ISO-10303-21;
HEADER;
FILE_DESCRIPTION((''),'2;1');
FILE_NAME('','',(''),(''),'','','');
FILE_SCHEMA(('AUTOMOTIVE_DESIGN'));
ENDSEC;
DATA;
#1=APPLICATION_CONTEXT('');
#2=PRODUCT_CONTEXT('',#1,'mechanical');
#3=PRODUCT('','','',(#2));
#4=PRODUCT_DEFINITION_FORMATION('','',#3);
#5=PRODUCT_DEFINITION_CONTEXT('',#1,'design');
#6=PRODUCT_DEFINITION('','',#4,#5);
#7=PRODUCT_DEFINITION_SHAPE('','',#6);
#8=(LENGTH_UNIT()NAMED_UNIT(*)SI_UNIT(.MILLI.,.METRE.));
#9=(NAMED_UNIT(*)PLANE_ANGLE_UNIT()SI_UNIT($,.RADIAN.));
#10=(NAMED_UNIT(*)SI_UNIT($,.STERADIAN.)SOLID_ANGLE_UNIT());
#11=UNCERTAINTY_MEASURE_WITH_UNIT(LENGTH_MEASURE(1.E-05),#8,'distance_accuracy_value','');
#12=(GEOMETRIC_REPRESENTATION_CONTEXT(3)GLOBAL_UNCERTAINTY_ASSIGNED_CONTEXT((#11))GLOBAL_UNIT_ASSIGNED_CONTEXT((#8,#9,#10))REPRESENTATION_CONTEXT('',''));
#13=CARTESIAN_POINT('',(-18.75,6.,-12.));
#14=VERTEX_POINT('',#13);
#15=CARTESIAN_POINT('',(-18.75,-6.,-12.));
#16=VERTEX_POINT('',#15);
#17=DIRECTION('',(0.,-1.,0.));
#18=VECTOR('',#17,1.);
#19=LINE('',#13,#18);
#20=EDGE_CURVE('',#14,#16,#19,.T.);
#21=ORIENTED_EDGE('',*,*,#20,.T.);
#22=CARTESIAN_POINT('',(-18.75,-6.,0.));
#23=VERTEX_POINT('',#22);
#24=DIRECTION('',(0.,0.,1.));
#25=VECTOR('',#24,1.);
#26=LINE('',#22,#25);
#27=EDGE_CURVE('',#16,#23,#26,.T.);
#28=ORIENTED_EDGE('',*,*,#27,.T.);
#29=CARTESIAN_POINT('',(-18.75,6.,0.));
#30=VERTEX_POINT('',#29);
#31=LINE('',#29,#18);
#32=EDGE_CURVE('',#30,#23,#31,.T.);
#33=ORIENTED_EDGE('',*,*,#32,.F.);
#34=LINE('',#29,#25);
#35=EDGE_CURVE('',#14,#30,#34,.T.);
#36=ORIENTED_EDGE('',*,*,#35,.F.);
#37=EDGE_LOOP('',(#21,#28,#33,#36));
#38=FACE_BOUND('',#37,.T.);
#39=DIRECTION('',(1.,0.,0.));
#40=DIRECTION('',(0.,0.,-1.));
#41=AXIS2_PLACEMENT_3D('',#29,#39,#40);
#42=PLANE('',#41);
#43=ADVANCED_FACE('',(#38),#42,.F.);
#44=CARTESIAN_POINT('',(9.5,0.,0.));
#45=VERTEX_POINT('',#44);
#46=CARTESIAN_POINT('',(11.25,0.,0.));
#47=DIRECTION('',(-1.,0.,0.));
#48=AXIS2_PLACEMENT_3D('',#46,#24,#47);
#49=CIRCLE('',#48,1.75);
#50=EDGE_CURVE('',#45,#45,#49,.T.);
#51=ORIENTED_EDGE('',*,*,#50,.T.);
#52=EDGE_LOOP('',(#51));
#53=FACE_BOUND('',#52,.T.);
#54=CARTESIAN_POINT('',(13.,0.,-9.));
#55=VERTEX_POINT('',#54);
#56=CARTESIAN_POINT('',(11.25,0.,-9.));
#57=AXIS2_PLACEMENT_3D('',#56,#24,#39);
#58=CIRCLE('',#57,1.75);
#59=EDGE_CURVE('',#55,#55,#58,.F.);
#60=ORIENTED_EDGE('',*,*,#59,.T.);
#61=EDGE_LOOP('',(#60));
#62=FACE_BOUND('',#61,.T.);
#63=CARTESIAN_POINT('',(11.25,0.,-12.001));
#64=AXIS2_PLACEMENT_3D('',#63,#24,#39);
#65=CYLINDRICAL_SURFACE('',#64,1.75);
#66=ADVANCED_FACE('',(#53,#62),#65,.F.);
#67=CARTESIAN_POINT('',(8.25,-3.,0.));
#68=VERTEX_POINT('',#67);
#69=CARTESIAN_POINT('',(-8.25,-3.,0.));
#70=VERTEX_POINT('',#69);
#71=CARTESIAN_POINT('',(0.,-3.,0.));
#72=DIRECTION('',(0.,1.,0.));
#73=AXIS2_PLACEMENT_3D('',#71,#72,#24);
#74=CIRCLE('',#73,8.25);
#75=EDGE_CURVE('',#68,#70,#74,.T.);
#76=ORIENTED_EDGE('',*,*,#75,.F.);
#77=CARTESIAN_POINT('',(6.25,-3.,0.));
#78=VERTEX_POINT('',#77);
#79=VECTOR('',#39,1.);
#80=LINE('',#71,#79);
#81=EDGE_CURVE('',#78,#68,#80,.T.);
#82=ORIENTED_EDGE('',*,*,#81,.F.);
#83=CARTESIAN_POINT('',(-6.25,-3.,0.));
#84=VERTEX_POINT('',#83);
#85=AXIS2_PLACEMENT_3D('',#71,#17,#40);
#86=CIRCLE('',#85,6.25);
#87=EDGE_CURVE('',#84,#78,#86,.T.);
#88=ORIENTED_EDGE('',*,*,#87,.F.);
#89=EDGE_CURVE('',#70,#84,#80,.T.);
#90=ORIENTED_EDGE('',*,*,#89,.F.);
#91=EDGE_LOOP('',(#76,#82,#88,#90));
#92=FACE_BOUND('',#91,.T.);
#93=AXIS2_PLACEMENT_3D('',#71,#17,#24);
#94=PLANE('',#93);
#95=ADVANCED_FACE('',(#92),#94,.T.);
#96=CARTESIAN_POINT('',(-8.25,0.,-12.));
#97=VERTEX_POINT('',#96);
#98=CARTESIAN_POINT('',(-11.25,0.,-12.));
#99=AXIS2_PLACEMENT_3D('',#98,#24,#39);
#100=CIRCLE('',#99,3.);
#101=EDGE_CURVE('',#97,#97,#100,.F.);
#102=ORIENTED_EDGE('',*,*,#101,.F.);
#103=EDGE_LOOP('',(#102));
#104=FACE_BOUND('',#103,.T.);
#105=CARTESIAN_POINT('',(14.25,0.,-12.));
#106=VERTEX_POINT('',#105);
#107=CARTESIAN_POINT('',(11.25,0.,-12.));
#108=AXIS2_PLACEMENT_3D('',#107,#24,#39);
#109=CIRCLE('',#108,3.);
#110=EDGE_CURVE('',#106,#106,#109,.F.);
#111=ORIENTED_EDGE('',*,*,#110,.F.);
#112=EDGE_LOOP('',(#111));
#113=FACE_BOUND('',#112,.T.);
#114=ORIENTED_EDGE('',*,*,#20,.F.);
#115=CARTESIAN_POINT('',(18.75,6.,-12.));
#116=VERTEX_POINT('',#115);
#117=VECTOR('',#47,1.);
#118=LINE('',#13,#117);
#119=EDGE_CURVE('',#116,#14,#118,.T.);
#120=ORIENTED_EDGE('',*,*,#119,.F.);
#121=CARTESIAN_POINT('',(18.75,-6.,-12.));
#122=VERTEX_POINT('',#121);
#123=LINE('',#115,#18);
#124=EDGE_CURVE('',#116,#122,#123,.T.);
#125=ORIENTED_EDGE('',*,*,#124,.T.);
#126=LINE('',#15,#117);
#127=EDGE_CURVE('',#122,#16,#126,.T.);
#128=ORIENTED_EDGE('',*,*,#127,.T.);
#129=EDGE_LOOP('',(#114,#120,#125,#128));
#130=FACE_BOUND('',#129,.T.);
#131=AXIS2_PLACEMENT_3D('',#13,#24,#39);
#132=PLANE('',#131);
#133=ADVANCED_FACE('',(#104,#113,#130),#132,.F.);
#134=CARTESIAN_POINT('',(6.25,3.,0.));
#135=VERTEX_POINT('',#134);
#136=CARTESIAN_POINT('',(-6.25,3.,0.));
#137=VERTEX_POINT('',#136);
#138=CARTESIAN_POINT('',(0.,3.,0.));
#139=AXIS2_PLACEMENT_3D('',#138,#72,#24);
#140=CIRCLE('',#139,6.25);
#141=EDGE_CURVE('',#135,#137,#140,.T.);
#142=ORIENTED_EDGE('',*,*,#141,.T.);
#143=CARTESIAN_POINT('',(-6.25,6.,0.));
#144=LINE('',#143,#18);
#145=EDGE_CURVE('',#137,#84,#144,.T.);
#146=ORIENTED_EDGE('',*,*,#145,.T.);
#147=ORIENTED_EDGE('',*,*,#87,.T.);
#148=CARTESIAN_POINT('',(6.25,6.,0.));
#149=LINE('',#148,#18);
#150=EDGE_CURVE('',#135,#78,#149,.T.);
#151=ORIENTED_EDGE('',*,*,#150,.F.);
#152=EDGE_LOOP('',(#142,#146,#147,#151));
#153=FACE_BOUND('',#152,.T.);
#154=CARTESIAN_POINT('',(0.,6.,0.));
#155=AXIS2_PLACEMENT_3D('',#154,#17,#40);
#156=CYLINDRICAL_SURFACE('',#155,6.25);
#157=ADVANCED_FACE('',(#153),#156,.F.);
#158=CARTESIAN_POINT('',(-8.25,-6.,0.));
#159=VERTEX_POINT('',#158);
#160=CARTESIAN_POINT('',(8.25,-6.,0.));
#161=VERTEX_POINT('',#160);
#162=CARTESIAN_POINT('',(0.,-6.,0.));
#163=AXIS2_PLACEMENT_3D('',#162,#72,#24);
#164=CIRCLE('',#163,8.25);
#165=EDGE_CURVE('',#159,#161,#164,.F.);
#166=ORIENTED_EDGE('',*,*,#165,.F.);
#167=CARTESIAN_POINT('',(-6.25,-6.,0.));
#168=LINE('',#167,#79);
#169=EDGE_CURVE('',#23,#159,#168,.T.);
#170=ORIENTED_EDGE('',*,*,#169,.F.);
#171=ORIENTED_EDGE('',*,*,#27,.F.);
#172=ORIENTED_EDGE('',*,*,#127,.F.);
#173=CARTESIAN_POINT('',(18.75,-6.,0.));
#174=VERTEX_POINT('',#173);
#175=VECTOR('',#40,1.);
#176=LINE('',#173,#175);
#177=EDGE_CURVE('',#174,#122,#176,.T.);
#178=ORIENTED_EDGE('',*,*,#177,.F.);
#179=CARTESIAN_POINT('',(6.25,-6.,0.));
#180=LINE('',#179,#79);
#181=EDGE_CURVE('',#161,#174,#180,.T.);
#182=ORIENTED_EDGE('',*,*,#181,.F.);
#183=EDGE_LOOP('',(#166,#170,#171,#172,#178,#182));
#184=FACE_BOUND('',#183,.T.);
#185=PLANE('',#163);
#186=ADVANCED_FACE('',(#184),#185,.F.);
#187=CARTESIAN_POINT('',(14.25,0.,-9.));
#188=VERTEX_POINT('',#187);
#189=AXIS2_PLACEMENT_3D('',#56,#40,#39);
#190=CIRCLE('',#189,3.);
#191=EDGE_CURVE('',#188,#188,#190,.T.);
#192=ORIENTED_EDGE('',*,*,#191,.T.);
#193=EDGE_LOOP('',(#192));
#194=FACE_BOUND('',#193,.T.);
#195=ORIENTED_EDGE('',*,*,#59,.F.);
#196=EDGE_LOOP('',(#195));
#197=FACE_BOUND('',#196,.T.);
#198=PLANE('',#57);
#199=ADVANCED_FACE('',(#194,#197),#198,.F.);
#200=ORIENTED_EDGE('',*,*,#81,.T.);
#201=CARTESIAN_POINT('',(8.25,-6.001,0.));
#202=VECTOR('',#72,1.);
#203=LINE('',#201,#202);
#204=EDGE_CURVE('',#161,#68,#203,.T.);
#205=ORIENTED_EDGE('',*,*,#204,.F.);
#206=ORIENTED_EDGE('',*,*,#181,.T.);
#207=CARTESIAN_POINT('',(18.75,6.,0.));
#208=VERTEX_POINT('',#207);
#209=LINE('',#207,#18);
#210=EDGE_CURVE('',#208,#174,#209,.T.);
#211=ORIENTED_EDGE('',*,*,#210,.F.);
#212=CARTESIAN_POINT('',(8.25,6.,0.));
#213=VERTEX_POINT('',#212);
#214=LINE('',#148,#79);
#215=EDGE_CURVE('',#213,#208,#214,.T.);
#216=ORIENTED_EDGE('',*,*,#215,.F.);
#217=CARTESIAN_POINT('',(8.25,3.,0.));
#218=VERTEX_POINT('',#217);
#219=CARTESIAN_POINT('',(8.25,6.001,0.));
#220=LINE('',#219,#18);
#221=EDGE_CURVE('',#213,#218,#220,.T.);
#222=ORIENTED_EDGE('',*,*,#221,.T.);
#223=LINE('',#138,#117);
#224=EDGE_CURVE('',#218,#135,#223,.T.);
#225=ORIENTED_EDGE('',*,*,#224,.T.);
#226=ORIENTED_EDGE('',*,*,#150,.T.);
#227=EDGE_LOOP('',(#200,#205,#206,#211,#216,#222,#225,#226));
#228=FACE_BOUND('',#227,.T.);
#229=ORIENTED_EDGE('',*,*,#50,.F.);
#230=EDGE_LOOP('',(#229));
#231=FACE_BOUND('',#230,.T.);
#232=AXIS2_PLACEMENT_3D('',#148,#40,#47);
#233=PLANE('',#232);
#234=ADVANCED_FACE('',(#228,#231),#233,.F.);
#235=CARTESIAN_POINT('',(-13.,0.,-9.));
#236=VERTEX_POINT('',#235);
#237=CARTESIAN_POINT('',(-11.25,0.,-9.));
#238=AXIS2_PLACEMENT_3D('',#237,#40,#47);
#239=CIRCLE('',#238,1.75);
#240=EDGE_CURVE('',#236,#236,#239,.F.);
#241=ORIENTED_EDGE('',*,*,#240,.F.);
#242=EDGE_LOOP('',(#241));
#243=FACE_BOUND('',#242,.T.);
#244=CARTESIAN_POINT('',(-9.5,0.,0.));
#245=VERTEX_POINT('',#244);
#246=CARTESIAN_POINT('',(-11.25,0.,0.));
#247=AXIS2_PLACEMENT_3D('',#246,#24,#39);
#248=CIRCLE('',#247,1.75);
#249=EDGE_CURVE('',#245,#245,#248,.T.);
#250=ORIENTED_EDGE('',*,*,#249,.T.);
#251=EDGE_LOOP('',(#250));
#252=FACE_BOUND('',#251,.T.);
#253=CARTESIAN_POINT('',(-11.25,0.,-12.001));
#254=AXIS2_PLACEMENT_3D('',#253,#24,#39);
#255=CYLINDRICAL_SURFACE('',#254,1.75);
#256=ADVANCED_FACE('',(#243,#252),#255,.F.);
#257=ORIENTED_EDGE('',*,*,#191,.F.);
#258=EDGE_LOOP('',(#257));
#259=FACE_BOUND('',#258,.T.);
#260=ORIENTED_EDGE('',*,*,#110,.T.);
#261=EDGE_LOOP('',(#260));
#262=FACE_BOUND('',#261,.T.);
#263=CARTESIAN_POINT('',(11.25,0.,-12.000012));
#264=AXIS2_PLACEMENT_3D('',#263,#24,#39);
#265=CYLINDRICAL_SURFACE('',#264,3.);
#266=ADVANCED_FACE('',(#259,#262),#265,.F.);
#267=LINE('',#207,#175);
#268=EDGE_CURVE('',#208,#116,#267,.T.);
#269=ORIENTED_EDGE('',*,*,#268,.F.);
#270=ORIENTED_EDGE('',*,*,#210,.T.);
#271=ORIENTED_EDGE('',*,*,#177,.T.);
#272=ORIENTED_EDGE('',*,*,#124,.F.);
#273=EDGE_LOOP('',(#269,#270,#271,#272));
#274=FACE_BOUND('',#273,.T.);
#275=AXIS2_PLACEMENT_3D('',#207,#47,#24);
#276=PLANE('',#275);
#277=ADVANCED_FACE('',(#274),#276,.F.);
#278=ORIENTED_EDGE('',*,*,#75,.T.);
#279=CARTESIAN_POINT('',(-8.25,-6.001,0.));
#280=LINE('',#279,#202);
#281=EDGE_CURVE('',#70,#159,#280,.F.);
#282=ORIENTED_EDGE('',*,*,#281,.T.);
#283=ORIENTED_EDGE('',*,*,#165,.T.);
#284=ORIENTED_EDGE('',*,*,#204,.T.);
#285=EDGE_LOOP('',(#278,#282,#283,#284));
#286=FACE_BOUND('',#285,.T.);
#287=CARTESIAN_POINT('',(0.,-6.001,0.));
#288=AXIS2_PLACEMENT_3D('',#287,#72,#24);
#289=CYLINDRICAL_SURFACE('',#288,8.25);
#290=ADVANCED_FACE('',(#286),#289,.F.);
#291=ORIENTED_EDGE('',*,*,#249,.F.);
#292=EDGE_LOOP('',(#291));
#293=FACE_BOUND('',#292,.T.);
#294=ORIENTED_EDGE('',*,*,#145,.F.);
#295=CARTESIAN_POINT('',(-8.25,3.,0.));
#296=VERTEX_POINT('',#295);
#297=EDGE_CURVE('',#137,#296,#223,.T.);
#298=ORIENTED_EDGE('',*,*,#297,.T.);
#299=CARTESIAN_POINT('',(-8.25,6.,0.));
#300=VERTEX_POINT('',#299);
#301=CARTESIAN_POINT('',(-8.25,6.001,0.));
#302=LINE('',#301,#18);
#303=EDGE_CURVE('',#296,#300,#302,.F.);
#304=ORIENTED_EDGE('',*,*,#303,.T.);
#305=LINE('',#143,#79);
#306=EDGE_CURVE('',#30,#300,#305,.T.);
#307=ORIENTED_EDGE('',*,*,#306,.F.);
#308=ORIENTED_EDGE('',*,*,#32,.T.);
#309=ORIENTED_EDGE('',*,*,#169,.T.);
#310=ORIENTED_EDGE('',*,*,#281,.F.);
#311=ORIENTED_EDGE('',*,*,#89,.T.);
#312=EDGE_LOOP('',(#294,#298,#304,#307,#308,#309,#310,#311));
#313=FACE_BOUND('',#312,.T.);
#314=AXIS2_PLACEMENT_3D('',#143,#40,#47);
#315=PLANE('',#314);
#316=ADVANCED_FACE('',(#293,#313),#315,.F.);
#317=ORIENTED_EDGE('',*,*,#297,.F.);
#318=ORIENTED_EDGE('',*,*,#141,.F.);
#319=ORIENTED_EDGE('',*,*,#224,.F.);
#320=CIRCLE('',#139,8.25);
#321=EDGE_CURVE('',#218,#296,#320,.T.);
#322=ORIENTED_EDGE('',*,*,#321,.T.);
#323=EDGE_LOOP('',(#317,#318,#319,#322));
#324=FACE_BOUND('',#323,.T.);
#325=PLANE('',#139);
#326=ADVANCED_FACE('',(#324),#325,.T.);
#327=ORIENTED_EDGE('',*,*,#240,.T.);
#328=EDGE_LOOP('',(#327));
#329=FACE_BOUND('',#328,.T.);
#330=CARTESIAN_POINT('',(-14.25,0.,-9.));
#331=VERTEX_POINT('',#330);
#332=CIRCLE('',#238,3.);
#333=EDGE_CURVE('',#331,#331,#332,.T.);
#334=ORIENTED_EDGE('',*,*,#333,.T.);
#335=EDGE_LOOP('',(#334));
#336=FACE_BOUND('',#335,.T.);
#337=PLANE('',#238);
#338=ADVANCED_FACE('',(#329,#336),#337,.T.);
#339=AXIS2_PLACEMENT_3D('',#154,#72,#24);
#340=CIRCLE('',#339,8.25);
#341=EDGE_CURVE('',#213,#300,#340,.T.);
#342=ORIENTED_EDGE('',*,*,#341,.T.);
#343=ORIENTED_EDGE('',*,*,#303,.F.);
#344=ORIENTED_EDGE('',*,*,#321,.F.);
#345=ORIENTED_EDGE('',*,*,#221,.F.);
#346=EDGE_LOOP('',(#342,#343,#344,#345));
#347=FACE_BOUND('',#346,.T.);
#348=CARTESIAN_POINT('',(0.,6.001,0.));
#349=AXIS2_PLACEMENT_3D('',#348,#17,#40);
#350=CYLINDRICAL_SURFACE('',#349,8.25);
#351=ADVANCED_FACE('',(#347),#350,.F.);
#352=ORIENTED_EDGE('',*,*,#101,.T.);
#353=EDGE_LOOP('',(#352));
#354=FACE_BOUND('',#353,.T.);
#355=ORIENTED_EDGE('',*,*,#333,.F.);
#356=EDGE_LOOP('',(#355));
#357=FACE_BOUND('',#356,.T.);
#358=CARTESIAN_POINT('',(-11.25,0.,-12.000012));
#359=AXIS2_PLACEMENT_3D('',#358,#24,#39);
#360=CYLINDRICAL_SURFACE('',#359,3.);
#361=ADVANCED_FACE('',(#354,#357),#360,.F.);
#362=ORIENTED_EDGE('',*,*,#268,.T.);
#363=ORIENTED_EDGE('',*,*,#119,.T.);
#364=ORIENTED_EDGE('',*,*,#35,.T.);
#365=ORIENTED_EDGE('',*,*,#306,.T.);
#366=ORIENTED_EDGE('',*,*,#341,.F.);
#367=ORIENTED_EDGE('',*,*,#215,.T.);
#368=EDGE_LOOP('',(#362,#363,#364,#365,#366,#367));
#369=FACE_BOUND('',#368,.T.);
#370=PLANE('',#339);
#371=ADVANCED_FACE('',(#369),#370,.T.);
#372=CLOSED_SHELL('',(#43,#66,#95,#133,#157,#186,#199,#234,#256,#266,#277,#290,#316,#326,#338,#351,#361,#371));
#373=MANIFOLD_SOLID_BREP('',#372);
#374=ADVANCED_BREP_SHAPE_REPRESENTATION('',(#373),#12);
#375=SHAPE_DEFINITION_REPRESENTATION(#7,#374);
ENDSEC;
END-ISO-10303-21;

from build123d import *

# Parameters (mm, degrees)
BOSS_EXTRUDE1_DEPTH     = 6
CUT_EXTRUDE1_START      = 3
SKETCH2_R               = 8.25
CUT_EXTRUDE1_DEPTH      = 3
CUT_EXTRUDE2_REACH      = 14
SKETCH3_R               = 1.75
SKETCH4_R               = 3
CUT_EXTRUDE3_DEPTH      = 1
CUT_EXTRUDE3_DEPTH_BACK = 3


with BuildPart() as part:
    # Sketch1 → Boss-Extrude1 (new body, symmetric)
    with BuildSketch(Plane(origin=(0, 0, 0), x_dir=(1, 0, 0), z_dir=(0, 1, 0))):
        with BuildLine():
            Line((-6.25, 0), (-18.75, 0))
            Line((-18.75, 0), (-18.75, 12))
            Line((-18.75, 12), (18.75, 12))
            Line((18.75, 12), (18.75, 0))
            Line((18.75, 0), (6.25, 0))
            ThreePointArc((6.25, 0), (0, 6.25), (-6.25, 0))
        make_face()
    extrude(amount=BOSS_EXTRUDE1_DEPTH, both=True)

    # Sketch2 → Cut-Extrude1 (cut)
    with BuildSketch(Plane(origin=(0, 0, 0), x_dir=(1, 0, 0), z_dir=(0, 1, 0)).offset(CUT_EXTRUDE1_START)):
        Circle(SKETCH2_R)
    cut_extrude1 = extrude(amount=CUT_EXTRUDE1_DEPTH, mode=Mode.SUBTRACT)

    # Mirror1: Cut-Extrude1 across plane
    add(cut_extrude1.mirror(Plane.ZX), mode=Mode.SUBTRACT)

    # Sketch3 → Cut-Extrude2 (cut, up to next)
    with BuildSketch(Plane.XY, mode=Mode.PRIVATE) as cut_extrude2_sk1:
        with Locations((-11.25, 0)):
            Circle(SKETCH3_R)
    cut_extrude2_tool1 = extrude(cut_extrude2_sk1.sketch, amount=-CUT_EXTRUDE2_REACH, mode=Mode.PRIVATE) & part.part
    add(cut_extrude2_tool1.solids().sort_by_distance((-11.25, 0, 0))[0], mode=Mode.SUBTRACT)
    # Sketch3 → Cut-Extrude2 (cut, up to next)
    with BuildSketch(Plane.XY, mode=Mode.PRIVATE) as cut_extrude2_sk2:
        with Locations((11.25, 0)):
            Circle(SKETCH3_R)
    cut_extrude2_tool2 = extrude(cut_extrude2_sk2.sketch, amount=-CUT_EXTRUDE2_REACH, mode=Mode.PRIVATE) & part.part
    add(cut_extrude2_tool2.solids().sort_by_distance((11.25, 0, 0))[0], mode=Mode.SUBTRACT)

    # Sketch4 → Cut-Extrude3 (cut, two sides)
    with BuildSketch(Plane(origin=(0, 0, -12), x_dir=(-1, 0, 0), z_dir=(0, 0, -1))) as cut_extrude3_sk:
        with Locations((11.25, 0)):
            Circle(SKETCH4_R)
        with Locations((-11.25, 0)):
            Circle(SKETCH4_R)
    extrude(amount=CUT_EXTRUDE3_DEPTH, mode=Mode.SUBTRACT)
    extrude(cut_extrude3_sk.sketch, amount=-CUT_EXTRUDE3_DEPTH_BACK, mode=Mode.SUBTRACT)


solid = part.part
